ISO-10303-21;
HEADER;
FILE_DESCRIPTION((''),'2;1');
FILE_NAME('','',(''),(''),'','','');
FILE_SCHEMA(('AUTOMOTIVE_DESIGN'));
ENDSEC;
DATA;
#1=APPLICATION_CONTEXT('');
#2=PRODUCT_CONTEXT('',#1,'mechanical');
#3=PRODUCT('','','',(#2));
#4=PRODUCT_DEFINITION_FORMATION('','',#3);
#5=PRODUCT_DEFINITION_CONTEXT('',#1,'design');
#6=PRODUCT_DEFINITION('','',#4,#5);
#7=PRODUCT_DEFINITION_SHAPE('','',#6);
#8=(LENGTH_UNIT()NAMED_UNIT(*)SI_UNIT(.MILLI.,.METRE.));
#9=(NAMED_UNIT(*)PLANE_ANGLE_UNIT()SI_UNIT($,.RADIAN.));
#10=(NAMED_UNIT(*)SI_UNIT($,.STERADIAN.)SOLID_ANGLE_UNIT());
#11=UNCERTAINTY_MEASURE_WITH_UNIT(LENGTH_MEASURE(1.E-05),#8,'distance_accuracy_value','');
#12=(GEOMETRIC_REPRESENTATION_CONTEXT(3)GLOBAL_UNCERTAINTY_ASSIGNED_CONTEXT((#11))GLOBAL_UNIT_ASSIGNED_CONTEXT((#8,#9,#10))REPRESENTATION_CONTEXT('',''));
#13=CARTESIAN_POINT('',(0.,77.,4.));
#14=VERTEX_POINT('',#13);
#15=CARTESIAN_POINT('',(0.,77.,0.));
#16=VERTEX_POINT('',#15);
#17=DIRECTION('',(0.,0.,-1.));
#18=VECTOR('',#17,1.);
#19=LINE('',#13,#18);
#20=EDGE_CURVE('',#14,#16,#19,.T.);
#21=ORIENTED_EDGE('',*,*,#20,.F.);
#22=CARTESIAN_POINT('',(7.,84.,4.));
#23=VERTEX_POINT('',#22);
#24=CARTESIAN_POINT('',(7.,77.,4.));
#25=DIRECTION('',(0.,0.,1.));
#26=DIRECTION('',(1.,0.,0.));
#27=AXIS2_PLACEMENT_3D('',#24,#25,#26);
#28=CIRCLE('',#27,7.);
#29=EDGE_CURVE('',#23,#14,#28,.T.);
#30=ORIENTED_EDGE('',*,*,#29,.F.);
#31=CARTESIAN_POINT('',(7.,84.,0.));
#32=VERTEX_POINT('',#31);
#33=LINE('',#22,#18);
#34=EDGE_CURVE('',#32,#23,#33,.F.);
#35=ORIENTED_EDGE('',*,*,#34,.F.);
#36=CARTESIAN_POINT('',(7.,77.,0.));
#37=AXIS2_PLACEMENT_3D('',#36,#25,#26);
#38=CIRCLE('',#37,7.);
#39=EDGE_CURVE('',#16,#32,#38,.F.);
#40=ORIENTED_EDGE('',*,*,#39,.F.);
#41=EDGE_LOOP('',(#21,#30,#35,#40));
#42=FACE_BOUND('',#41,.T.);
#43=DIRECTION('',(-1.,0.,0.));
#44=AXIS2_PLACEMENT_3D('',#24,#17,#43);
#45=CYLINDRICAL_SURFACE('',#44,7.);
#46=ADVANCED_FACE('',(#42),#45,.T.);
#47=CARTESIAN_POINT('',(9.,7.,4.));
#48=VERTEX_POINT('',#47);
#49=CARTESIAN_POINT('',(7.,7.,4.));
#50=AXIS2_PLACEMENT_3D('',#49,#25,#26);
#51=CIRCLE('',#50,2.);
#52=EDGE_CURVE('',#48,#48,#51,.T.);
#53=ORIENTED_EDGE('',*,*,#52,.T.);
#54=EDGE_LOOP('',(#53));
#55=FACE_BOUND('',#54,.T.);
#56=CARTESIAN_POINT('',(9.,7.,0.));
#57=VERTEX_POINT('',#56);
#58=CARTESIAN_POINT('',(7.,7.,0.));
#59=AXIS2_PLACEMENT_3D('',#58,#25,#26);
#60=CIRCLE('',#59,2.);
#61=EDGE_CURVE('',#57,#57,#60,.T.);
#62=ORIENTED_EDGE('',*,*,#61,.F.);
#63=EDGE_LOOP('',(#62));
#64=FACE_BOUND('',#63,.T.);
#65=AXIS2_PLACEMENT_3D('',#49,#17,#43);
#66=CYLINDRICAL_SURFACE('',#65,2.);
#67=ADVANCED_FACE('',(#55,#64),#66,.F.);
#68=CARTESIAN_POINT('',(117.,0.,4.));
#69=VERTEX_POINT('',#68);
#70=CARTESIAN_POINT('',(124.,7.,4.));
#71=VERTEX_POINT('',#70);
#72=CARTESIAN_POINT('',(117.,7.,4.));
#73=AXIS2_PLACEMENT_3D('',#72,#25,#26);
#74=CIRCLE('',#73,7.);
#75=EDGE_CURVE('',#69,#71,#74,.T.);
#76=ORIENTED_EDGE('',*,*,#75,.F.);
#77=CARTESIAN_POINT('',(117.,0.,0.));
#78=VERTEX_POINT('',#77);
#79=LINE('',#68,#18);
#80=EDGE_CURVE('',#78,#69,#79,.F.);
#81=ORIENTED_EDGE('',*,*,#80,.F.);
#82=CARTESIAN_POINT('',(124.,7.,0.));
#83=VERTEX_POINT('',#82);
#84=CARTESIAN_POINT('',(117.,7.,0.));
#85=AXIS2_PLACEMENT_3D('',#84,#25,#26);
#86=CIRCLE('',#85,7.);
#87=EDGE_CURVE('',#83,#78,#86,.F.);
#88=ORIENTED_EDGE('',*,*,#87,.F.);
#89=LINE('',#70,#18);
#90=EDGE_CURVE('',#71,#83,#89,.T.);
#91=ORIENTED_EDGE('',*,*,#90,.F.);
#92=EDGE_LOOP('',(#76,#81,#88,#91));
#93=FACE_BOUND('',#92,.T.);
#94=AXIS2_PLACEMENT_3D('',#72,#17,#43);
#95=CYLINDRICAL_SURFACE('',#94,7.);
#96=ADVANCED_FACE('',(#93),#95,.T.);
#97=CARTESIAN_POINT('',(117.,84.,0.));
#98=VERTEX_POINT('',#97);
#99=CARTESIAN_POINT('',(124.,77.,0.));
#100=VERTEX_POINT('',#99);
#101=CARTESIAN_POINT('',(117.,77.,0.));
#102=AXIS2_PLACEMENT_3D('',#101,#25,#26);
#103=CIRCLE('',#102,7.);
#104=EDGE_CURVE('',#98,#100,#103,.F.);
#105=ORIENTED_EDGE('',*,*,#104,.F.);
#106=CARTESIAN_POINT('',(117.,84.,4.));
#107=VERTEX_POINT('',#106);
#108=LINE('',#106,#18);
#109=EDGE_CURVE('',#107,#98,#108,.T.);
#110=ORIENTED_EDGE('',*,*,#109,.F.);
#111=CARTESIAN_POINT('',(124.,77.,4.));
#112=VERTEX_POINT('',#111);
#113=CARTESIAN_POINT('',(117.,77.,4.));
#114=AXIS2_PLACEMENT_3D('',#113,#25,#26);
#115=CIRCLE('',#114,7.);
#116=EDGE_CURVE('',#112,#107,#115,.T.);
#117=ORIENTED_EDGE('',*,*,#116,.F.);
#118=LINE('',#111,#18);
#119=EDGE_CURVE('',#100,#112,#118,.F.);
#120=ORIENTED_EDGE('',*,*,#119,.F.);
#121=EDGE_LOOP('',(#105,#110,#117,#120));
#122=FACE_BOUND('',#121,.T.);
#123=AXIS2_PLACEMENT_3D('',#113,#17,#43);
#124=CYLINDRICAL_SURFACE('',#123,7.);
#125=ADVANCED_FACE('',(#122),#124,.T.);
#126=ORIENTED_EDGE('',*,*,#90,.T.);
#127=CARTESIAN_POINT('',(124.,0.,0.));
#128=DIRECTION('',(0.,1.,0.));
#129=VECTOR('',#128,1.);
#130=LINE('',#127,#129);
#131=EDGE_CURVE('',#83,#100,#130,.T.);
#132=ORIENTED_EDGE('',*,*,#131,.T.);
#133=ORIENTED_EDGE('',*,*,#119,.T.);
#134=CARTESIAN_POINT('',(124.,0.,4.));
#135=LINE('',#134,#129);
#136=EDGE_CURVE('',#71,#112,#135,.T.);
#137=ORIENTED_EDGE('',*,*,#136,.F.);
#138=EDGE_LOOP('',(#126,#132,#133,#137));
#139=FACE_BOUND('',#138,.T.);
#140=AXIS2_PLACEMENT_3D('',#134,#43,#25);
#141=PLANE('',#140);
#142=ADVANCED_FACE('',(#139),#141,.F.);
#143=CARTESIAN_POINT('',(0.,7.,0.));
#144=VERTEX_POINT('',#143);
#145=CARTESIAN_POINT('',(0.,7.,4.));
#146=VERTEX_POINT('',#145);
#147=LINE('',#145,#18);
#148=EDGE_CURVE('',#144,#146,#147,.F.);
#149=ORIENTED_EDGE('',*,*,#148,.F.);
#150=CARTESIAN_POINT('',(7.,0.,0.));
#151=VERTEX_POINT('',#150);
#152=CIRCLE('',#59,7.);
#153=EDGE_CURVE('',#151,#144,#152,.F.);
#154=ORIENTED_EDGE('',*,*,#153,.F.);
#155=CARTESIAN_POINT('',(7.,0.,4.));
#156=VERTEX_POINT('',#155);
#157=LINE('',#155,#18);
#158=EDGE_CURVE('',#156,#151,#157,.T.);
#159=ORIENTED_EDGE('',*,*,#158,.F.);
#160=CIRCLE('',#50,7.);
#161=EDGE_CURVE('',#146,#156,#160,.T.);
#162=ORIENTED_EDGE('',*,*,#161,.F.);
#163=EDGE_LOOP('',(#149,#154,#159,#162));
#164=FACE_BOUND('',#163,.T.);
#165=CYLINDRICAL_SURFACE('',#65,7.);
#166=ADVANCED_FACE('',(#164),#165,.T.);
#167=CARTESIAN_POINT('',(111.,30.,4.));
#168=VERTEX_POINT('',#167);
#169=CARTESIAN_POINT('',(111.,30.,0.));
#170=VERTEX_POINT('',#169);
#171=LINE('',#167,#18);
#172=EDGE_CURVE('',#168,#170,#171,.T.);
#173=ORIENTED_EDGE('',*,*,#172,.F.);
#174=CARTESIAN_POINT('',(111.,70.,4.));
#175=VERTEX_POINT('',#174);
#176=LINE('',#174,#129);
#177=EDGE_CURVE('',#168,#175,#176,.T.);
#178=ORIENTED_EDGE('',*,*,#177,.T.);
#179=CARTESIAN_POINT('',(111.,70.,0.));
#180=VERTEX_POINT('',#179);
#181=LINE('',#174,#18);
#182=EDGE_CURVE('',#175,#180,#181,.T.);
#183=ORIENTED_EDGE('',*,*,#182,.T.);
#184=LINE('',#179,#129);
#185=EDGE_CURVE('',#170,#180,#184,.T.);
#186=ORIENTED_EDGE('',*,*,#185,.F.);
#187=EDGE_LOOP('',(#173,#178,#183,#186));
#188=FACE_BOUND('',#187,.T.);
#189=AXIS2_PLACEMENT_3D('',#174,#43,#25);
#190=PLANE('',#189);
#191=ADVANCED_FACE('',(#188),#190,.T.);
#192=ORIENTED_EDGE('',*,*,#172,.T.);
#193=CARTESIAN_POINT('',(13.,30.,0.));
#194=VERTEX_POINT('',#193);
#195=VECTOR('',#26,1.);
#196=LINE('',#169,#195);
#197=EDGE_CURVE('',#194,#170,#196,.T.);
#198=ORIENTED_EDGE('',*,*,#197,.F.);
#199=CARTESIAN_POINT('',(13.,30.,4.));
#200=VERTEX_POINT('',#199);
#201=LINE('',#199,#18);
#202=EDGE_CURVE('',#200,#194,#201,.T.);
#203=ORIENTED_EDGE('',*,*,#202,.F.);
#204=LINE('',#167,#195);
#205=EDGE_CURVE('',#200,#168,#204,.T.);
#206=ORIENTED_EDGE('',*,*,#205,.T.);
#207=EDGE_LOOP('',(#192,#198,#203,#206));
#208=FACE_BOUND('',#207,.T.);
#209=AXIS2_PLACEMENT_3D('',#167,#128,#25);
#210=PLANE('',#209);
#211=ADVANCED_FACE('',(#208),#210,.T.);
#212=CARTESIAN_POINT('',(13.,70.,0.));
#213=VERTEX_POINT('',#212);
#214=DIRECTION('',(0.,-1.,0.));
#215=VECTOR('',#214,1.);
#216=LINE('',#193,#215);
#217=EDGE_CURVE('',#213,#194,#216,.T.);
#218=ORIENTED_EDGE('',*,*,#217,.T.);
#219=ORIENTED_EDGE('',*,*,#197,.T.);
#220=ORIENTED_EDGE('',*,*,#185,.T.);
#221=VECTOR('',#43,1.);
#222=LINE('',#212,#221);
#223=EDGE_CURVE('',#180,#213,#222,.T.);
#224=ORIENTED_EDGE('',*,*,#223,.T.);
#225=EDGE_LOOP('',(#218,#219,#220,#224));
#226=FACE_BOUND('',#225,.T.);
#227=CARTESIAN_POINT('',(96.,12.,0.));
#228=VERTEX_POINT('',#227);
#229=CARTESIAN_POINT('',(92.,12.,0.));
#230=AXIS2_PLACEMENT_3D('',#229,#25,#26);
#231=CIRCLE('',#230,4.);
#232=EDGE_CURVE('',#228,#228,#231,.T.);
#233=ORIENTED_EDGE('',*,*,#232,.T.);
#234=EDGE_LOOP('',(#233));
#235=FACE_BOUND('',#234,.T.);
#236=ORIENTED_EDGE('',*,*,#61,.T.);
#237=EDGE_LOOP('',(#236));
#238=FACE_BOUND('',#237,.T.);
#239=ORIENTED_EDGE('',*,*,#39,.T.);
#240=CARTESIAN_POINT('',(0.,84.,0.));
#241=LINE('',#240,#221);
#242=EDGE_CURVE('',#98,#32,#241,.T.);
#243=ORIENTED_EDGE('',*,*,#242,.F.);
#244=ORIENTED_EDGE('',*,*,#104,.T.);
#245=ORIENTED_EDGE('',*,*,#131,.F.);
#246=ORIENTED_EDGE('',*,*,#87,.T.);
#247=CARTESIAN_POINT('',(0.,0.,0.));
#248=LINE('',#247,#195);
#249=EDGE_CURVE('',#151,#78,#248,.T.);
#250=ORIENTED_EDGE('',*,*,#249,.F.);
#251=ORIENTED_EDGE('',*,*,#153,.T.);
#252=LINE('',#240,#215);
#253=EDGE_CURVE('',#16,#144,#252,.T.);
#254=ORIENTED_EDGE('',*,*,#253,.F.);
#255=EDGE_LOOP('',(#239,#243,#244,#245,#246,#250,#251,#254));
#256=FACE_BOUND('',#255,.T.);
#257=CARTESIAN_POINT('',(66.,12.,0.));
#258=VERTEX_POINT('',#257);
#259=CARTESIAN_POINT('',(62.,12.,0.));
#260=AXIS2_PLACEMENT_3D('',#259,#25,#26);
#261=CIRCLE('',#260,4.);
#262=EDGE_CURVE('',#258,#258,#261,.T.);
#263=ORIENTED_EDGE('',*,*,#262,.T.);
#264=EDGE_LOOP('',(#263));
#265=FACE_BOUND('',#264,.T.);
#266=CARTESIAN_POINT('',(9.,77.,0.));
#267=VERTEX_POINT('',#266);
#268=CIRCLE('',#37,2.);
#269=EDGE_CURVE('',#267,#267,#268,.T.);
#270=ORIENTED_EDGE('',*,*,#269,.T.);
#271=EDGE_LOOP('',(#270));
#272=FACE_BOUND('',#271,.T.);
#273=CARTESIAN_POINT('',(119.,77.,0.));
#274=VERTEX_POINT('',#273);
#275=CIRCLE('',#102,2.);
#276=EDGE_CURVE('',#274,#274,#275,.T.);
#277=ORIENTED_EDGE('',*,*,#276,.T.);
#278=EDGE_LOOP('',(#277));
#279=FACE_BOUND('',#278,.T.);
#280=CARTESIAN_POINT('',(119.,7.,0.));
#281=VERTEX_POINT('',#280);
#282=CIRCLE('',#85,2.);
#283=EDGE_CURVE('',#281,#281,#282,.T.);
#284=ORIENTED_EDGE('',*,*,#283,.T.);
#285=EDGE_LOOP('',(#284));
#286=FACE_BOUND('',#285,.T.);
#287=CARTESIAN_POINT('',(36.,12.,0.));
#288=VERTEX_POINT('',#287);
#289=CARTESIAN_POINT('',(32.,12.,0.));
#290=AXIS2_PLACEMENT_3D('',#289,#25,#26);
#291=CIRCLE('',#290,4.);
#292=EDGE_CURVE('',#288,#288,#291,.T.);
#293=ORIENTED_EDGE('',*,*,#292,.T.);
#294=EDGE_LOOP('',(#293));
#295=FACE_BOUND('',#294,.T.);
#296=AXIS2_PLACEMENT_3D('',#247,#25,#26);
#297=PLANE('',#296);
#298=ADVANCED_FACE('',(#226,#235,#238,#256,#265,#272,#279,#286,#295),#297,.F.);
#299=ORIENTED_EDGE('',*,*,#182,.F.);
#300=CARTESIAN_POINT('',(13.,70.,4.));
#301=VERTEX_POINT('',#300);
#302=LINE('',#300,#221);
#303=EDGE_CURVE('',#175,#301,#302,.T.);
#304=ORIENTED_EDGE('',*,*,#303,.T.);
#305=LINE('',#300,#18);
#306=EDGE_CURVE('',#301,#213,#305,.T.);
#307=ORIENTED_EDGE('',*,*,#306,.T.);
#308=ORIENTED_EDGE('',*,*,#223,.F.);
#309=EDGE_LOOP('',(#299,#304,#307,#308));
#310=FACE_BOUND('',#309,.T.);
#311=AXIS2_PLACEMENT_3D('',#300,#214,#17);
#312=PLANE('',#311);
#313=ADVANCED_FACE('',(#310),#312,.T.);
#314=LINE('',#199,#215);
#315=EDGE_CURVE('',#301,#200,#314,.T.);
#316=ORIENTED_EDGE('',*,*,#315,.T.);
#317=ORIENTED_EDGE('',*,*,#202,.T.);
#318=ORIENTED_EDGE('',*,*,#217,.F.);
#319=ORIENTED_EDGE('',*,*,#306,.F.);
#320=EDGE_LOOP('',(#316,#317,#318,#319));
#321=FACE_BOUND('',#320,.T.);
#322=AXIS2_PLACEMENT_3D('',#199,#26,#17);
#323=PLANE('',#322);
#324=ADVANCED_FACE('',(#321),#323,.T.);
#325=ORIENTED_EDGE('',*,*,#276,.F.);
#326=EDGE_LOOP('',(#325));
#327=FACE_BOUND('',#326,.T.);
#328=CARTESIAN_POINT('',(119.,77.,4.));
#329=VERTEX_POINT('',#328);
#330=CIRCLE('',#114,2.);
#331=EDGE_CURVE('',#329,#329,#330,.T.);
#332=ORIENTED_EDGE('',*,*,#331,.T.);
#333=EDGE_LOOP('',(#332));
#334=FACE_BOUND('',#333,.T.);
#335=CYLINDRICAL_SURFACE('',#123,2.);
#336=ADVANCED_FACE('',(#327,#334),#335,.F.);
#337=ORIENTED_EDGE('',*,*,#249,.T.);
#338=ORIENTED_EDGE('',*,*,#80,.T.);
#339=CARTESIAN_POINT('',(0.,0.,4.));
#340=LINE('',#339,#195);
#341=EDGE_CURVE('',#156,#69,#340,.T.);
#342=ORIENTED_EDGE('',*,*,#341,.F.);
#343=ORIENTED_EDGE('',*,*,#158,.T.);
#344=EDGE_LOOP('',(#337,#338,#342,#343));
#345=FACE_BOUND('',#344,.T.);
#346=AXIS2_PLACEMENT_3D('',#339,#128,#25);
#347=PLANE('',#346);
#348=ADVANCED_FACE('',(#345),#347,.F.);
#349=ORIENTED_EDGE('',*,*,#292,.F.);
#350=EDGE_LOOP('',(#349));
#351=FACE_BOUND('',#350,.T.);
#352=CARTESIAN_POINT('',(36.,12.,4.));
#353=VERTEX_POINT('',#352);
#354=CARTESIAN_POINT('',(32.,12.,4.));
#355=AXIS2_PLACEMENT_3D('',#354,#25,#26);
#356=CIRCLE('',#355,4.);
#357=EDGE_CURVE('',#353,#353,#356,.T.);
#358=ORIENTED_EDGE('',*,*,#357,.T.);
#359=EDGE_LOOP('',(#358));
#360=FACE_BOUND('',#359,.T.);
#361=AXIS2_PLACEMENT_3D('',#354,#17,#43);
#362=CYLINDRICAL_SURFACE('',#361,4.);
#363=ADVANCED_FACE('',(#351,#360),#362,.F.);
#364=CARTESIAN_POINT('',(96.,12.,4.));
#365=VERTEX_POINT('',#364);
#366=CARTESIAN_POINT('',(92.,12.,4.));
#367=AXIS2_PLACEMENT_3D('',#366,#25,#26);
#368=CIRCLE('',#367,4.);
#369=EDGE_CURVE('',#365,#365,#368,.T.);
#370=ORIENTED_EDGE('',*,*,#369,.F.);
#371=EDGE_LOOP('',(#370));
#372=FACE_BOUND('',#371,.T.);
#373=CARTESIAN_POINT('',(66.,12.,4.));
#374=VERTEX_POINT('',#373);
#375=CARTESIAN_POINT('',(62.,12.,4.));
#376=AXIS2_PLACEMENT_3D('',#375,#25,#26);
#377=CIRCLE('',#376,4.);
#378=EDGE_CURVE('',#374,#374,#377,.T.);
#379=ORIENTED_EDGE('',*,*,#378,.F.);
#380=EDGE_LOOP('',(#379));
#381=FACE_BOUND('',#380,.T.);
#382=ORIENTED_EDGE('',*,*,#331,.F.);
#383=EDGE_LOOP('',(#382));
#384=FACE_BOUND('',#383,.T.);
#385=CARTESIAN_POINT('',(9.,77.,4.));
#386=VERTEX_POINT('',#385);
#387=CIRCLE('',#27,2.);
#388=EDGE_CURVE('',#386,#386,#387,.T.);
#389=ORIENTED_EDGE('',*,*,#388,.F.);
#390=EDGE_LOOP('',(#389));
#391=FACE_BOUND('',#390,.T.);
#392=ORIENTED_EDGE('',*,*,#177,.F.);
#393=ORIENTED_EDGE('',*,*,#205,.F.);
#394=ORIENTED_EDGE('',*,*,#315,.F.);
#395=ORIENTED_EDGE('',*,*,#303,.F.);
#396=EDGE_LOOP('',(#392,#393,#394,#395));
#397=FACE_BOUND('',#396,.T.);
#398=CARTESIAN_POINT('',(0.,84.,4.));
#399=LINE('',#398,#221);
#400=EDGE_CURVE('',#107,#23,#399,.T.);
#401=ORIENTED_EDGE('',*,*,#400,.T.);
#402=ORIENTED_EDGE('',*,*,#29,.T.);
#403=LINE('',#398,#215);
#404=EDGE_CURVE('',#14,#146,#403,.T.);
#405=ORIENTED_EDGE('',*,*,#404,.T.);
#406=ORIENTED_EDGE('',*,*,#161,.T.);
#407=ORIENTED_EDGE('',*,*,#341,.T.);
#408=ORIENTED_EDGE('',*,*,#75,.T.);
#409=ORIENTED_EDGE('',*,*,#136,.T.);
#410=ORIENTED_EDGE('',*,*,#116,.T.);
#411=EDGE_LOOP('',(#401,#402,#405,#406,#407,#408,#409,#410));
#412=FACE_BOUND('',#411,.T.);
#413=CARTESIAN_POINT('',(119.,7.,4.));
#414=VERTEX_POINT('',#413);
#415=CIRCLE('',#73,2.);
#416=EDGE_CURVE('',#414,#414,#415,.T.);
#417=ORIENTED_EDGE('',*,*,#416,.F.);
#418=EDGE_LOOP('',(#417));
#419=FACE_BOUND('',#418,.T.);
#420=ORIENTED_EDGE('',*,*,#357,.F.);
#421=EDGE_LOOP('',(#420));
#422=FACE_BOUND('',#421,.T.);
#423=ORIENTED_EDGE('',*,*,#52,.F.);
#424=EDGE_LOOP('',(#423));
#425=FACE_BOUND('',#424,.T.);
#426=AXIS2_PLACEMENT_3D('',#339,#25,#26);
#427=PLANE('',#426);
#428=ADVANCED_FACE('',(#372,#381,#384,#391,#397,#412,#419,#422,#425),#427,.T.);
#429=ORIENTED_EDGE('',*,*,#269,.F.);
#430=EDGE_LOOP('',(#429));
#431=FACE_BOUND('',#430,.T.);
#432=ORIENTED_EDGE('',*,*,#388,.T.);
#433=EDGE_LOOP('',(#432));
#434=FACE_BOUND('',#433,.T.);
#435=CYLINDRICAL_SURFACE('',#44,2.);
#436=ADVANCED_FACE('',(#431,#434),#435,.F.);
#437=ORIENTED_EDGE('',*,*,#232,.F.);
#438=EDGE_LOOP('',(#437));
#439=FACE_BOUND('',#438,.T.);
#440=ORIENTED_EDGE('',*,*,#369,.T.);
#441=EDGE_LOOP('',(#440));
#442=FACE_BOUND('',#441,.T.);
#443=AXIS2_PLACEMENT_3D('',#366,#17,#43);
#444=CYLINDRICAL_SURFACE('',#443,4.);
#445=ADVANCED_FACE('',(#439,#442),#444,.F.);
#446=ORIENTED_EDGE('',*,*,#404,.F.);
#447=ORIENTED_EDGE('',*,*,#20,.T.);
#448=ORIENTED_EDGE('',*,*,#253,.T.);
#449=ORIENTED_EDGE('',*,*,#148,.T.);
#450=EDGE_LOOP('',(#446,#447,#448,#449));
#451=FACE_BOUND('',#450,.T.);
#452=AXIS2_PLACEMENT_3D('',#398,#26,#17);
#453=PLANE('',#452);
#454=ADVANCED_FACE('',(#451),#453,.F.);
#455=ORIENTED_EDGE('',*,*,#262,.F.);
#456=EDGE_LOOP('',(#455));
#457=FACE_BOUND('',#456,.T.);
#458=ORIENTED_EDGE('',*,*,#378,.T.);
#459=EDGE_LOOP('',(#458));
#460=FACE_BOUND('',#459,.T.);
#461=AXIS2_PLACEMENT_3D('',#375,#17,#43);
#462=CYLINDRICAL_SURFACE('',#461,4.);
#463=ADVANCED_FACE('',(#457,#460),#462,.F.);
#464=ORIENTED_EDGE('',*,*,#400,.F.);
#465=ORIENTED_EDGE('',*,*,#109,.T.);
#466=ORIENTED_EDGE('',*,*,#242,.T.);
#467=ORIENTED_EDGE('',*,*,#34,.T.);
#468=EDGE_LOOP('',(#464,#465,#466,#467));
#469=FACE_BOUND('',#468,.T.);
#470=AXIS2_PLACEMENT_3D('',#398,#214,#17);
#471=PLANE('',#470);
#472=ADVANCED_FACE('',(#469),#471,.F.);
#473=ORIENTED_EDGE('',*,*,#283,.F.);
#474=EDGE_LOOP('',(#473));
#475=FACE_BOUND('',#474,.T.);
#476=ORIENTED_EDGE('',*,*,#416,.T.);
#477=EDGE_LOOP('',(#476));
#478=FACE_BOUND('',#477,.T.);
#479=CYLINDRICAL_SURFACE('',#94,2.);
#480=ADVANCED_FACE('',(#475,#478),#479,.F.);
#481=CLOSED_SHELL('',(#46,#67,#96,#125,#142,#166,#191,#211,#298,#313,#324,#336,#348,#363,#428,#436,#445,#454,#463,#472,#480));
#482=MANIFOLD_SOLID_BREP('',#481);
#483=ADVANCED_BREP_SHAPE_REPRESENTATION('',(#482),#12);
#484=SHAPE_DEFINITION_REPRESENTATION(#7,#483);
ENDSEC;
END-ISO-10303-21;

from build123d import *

# Parameters (mm, degrees)
CROQUIS1_W              = 124
CROQUIS1_H              = 84
CROQUIS1_R              = 2
CROQUIS1_R_2            = 4
CROQUIS1_W_2            = 98
CROQUIS1_H_2            = 40
SALIENTE_EXTRUIR1_DEPTH = 4
REDONDEO1_R             = 7


with BuildPart() as part:
    # Croquis1 → Saliente-Extruir1 (new body)
    with BuildSketch(Plane.XY):
        with Locations((62, 42)):
            Rectangle(CROQUIS1_W, CROQUIS1_H)
        with Locations((7, 77)):
            Circle(CROQUIS1_R, mode=Mode.SUBTRACT)
        with Locations((117, 77)):
            Circle(CROQUIS1_R, mode=Mode.SUBTRACT)
        with Locations((117, 7)):
            Circle(CROQUIS1_R, mode=Mode.SUBTRACT)
        with Locations((7, 7)):
            Circle(CROQUIS1_R, mode=Mode.SUBTRACT)
        with Locations((32, 12)):
            Circle(CROQUIS1_R_2, mode=Mode.SUBTRACT)
        with Locations((62, 12)):
            Circle(CROQUIS1_R_2, mode=Mode.SUBTRACT)
        with Locations((92, 12)):
            Circle(CROQUIS1_R_2, mode=Mode.SUBTRACT)
        with Locations((62, 50)):
            Rectangle(CROQUIS1_W_2, CROQUIS1_H_2, mode=Mode.SUBTRACT)
    extrude(amount=SALIENTE_EXTRUIR1_DEPTH)

    # Redondeo1
    redondeo1_edges = [part.edges().sort_by_distance(p)[0] for p in [
        (0, 84, 2),
        (124, 84, 2),
        (124, 0, 2),
        (0, 0, 2),
    ]]
    fillet(redondeo1_edges, radius=REDONDEO1_R)


solid = part.part
